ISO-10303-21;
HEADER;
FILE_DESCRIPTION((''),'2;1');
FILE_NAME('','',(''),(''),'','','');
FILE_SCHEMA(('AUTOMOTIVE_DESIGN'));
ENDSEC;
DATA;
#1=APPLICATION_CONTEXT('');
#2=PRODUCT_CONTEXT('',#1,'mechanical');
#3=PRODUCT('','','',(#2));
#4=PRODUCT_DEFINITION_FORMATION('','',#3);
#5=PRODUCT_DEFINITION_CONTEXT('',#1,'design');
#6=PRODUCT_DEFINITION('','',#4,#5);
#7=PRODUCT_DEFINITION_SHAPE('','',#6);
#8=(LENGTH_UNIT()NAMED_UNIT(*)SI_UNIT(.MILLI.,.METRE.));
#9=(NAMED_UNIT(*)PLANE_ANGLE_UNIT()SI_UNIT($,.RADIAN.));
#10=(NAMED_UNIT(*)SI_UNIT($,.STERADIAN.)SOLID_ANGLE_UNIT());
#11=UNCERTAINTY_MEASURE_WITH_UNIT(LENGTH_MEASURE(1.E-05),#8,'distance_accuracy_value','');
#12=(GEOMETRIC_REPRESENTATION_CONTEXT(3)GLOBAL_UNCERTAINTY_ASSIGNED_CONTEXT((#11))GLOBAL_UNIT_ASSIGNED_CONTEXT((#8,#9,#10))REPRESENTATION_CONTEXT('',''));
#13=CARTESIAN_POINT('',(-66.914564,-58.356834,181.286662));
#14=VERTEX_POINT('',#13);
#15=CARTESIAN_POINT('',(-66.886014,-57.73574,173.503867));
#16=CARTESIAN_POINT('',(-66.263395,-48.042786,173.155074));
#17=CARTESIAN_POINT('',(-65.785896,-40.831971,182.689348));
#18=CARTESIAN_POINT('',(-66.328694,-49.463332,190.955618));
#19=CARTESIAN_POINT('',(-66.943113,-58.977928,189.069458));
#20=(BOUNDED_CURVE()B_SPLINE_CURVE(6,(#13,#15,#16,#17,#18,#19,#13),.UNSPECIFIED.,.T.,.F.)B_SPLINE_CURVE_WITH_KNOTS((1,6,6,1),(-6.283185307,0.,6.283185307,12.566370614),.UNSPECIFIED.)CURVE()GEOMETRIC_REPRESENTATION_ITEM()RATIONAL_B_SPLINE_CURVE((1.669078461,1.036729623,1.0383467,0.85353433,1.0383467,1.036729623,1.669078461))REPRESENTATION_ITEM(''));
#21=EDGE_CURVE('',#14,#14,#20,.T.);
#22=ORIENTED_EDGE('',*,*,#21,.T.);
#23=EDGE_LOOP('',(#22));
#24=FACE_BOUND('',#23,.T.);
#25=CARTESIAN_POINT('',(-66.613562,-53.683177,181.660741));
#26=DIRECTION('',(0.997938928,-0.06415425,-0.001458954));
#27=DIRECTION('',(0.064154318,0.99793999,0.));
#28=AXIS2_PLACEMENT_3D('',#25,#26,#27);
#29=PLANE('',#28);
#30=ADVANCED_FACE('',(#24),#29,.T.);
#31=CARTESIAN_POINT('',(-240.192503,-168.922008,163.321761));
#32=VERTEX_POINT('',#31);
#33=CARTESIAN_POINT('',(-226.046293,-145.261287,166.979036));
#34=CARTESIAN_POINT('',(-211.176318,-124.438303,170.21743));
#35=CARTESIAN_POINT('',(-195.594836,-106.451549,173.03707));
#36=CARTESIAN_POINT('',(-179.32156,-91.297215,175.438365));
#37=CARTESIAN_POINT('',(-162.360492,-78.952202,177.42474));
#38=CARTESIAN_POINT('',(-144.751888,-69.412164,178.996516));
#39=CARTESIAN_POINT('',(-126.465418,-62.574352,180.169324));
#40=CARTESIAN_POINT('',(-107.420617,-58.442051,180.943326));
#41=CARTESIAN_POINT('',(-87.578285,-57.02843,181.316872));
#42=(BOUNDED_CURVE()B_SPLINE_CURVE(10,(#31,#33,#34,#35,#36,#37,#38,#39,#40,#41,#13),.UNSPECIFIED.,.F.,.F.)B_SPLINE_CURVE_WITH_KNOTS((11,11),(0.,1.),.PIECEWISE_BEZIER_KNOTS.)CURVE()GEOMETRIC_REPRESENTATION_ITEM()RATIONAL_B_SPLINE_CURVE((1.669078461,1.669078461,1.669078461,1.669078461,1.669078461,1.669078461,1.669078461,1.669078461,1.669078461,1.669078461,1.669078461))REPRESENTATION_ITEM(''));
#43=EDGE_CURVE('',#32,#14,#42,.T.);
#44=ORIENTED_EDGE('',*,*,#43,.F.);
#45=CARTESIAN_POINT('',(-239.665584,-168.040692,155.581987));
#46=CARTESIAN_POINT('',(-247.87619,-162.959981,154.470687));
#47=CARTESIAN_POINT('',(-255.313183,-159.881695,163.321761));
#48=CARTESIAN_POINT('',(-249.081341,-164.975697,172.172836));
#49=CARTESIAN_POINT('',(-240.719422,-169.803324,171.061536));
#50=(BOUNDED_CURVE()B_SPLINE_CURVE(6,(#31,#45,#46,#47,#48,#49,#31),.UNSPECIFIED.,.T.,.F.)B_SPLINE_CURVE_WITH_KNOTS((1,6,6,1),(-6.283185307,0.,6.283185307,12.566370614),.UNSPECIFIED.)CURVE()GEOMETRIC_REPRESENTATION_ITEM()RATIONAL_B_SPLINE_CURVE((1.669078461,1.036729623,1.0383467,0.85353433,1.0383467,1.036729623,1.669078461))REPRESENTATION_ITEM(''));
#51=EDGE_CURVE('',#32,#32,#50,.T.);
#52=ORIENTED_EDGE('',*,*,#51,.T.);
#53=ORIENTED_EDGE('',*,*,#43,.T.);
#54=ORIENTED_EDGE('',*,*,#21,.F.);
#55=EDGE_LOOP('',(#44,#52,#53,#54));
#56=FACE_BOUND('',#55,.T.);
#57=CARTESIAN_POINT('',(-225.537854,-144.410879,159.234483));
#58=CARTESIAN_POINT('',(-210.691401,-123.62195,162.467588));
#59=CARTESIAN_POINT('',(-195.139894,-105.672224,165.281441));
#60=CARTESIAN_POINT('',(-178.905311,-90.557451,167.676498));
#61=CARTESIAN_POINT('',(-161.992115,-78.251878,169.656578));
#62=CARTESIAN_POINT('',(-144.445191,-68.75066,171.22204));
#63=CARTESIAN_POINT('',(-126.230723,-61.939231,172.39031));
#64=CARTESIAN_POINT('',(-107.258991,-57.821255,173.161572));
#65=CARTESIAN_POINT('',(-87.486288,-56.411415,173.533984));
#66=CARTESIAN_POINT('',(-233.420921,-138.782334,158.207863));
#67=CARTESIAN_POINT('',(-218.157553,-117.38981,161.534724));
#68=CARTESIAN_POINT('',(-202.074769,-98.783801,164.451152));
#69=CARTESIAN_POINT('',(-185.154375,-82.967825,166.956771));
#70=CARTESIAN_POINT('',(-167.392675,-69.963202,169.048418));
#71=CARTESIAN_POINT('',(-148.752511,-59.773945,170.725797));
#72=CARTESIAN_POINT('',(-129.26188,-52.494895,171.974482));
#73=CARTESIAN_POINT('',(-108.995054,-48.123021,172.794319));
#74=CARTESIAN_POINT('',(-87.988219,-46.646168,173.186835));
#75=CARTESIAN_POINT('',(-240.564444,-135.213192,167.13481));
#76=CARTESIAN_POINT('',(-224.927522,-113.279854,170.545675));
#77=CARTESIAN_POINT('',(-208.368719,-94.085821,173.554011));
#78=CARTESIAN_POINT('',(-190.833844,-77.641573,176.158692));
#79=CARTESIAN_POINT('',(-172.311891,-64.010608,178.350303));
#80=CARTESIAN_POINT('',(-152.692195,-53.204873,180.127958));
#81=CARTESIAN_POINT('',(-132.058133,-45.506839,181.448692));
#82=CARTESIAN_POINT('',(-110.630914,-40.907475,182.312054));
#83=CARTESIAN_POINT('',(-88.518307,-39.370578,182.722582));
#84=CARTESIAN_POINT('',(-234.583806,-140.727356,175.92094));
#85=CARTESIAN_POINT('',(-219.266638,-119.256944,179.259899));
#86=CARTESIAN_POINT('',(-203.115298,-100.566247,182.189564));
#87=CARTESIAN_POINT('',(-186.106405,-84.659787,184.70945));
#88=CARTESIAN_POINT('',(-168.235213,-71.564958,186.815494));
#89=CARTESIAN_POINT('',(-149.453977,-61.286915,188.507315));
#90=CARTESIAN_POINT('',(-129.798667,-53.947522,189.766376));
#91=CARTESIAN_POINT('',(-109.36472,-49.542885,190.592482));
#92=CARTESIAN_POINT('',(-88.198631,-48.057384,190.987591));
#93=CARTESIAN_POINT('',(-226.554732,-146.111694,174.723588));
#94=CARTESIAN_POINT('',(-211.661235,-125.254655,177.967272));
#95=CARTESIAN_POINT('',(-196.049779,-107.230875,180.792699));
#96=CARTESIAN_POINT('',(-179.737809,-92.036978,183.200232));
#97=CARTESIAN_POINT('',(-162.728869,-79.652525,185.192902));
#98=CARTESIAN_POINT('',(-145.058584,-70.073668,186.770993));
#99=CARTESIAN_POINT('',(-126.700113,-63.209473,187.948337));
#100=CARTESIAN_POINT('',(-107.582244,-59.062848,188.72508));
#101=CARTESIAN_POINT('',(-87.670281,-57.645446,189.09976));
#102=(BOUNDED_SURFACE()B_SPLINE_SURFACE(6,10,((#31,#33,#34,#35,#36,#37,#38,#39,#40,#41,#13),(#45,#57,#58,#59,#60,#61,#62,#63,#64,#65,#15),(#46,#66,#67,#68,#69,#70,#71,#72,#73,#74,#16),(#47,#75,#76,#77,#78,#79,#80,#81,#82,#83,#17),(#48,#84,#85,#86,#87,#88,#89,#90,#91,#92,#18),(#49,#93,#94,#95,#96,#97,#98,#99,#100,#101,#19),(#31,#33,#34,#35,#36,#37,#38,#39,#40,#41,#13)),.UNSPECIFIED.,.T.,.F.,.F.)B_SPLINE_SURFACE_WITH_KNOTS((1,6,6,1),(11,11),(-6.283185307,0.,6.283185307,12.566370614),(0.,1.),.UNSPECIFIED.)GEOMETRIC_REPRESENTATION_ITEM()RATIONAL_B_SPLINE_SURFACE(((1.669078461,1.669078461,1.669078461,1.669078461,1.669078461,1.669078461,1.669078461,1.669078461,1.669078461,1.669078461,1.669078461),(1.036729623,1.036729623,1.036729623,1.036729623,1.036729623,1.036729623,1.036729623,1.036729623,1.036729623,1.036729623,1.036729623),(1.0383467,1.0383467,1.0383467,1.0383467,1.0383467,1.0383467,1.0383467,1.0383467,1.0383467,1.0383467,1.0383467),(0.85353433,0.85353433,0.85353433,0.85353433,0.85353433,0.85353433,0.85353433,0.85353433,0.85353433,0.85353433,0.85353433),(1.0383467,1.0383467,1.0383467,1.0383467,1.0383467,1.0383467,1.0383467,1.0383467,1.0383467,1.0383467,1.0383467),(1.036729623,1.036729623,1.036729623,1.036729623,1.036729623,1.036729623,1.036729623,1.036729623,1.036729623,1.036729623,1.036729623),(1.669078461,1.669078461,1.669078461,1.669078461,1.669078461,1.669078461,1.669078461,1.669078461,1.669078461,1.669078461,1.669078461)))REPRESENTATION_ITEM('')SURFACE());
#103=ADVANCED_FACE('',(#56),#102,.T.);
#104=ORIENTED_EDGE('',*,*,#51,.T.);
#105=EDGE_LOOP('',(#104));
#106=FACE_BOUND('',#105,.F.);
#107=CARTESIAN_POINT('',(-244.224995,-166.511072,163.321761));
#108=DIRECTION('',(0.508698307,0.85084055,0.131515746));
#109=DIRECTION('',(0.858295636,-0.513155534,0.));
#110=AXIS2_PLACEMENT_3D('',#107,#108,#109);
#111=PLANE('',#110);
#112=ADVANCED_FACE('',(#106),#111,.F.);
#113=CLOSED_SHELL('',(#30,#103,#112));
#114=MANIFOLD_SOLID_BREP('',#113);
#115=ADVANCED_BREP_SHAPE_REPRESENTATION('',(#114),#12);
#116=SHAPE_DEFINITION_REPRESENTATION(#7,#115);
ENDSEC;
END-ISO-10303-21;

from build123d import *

# Parameters (mm, degrees)
SWEEP1_PROFILE_R = 4.699


with BuildPart() as part:
    # Sweep1: sweep along a curve in space
    with BuildLine() as sweep1_path:
        add(Edge.make_bspline(
            [(-244.225633911, -166.510690166, 163.32176145), (-172.691022825, -46.863058052, 181.81588183), (-66.61351475, -53.682436204, 181.6608)],
            knots=[0, 0, 0, 1, 1, 1], degree=2))
    # Sweep1 profile (on start of the path) → Sweep1 (sweep)
    with BuildSketch(Plane(origin=(-244.225633911, -166.510690166, 163.32176145), x_dir=(0.858295636, -0.513155534, 0), z_dir=(0.508698307, 0.85084055, 0.131515746))):
        Circle(SWEEP1_PROFILE_R)
    sweep(path=sweep1_path.line)


solid = part.part
